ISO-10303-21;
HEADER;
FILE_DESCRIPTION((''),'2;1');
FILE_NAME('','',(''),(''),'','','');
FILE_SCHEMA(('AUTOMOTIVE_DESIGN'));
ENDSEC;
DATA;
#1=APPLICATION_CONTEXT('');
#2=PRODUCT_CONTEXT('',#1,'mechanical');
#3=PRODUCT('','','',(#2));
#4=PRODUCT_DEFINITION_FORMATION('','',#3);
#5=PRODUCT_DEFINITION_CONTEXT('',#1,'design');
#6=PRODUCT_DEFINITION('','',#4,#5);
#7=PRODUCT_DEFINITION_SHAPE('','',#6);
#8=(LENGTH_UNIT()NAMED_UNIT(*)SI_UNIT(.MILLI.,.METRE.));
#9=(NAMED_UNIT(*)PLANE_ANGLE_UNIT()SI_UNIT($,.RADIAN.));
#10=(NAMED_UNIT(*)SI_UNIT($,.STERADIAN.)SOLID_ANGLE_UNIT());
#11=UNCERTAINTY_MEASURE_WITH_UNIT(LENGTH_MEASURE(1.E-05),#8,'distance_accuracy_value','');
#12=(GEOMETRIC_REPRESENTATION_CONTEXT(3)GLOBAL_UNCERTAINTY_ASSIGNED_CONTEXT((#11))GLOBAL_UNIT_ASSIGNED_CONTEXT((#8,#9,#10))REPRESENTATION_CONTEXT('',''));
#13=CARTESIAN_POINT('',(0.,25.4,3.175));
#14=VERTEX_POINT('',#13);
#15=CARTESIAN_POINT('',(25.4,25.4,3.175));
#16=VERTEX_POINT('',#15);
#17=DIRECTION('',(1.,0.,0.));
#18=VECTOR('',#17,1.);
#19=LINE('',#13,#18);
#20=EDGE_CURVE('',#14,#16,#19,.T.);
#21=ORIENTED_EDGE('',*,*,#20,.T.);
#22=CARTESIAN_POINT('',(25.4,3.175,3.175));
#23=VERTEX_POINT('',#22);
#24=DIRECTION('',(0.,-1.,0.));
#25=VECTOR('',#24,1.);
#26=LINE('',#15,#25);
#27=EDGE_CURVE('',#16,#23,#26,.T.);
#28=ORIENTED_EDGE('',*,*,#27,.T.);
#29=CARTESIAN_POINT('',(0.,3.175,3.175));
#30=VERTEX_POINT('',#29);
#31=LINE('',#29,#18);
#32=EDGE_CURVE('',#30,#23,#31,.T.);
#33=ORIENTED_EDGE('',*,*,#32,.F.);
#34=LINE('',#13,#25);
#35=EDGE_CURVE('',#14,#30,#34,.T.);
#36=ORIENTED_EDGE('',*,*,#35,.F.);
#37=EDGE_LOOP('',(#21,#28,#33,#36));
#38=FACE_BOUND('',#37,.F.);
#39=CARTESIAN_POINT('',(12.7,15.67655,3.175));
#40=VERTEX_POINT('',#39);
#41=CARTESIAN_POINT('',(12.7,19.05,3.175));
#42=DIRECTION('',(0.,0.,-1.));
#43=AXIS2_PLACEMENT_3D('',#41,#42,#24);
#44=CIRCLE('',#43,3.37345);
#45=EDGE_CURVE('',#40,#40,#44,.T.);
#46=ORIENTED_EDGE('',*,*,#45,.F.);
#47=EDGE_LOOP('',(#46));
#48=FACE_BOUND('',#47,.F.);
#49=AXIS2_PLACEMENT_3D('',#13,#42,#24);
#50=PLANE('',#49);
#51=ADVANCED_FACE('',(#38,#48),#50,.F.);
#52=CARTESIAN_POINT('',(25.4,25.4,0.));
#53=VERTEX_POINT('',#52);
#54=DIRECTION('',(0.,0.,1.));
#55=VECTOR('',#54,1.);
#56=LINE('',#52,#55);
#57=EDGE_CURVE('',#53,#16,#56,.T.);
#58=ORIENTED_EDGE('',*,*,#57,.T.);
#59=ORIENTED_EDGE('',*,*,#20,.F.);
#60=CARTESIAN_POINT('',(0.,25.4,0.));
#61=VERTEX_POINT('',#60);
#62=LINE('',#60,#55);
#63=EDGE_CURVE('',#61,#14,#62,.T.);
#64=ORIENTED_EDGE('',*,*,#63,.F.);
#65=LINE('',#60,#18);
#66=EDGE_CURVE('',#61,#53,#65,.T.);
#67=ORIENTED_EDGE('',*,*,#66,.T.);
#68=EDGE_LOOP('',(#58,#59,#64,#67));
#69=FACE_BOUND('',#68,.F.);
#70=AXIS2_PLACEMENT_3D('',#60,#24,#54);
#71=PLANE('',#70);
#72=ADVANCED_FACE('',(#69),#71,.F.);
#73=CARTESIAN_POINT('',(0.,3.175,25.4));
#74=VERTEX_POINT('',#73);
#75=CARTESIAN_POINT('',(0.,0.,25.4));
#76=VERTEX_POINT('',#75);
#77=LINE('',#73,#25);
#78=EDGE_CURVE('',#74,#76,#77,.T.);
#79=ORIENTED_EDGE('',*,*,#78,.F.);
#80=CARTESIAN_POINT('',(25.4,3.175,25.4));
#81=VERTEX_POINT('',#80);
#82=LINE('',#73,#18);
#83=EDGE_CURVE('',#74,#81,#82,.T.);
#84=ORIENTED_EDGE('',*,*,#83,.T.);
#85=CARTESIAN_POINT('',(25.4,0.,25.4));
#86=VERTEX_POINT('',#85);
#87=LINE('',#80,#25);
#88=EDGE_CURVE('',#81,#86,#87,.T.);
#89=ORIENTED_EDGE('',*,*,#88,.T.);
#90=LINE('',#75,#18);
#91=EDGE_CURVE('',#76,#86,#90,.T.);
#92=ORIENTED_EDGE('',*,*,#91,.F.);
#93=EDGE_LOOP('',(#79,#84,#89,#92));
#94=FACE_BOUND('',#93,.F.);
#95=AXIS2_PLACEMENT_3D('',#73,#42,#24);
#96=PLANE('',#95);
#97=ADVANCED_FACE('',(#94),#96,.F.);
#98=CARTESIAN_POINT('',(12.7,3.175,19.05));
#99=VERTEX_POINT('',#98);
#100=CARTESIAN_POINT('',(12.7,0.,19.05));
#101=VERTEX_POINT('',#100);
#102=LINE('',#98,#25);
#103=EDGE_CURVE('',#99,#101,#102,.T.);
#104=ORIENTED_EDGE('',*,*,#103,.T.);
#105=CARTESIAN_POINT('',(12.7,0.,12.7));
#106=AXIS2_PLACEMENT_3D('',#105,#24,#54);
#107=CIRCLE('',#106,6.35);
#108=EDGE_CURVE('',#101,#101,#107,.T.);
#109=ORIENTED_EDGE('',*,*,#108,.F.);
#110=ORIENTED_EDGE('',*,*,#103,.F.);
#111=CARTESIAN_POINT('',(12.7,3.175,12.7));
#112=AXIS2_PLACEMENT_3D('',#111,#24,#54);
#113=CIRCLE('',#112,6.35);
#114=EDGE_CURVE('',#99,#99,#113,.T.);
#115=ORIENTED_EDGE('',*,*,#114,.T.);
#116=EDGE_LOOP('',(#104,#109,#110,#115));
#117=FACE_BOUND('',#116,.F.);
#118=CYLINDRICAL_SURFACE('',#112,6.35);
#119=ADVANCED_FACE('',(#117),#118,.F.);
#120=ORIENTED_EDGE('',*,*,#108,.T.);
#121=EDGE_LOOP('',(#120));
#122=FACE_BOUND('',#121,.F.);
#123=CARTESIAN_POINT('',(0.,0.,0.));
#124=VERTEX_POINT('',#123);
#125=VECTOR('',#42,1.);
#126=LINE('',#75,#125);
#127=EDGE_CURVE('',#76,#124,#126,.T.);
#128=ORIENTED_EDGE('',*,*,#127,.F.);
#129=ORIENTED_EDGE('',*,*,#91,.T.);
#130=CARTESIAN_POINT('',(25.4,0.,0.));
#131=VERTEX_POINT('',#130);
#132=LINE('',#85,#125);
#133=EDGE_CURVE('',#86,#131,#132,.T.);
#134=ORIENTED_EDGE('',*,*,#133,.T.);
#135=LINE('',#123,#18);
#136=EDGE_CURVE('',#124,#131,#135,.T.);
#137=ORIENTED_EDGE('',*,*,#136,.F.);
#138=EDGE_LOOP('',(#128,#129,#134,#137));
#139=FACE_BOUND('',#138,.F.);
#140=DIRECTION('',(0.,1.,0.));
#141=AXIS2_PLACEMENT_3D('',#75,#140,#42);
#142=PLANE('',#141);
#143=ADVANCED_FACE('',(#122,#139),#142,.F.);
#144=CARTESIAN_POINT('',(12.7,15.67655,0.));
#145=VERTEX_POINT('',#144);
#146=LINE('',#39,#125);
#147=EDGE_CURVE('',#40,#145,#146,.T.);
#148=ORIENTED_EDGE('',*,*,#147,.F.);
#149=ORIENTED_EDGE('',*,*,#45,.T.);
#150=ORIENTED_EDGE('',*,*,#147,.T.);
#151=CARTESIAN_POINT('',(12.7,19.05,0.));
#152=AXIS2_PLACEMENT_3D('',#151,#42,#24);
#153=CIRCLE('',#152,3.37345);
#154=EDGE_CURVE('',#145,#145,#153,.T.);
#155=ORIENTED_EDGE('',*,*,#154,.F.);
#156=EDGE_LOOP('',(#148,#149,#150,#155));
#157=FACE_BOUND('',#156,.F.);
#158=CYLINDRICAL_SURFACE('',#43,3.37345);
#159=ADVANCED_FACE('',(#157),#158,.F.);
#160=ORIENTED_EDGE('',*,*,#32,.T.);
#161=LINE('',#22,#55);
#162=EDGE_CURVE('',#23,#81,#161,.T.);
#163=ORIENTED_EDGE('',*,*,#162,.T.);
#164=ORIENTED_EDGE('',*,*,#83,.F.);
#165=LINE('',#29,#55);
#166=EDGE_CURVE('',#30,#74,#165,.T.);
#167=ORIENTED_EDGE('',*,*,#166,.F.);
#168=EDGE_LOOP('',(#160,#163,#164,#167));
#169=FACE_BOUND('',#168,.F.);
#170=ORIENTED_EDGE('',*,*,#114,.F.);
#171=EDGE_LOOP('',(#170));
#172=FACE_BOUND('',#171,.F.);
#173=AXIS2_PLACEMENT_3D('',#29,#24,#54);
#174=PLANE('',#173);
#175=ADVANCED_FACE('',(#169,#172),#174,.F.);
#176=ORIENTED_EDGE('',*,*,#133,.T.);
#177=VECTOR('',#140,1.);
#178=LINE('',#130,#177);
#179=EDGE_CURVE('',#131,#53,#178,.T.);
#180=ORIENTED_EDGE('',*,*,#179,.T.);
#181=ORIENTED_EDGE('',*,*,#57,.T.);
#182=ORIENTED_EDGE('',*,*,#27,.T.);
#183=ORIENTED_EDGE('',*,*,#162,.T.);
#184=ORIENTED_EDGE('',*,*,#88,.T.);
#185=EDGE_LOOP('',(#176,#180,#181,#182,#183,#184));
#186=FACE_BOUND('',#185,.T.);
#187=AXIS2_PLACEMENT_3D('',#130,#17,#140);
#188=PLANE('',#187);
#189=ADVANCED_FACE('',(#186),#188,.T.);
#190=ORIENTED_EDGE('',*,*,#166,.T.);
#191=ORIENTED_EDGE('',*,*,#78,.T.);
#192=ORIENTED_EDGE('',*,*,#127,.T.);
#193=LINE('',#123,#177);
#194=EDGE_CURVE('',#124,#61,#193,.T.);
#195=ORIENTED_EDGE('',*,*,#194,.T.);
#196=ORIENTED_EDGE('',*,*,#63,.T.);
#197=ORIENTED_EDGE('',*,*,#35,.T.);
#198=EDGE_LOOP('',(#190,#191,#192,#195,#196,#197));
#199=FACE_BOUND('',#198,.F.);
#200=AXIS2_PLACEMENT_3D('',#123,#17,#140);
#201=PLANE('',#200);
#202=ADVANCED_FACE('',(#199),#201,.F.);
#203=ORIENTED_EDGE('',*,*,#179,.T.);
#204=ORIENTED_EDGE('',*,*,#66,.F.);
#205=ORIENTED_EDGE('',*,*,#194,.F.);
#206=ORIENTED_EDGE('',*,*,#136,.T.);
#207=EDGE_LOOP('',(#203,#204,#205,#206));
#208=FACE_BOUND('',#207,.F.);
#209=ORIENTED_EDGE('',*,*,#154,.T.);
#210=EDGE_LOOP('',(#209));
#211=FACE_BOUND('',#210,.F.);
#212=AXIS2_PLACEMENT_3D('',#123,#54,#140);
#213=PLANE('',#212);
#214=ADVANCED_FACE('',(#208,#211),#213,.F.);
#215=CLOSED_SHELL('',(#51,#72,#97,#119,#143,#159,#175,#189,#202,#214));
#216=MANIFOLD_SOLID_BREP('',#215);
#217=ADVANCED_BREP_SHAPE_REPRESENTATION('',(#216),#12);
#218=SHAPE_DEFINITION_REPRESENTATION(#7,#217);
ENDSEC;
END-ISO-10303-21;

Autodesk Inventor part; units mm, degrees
ref_plane "YZ Plane" through (0, 0, 0) normal (1, 0, 0) x (0, 1, 0)
ref_plane "XZ Plane" through (0, 0, 0) normal (0, 1, 0) x (-1, 0, 0)
ref_plane "XY Plane" through (0, 0, 0) normal (0, 0, 1) x (1, 0, 0)
sketch "Sketch1" plane through (0, 0, 0) normal (1, 0, 0) x (0, 1, 0)
  line L0 (0, 0) -> (25.4, 0)
  line L1 (25.4, 0) -> (25.4, 3.175)
  line L2 (25.4, 3.175) -> (3.175, 3.175)
  line L3 (3.175, 3.175) -> (3.175, 25.4)
  line L4 (3.175, 25.4) -> (0, 25.4)
  line L5 (0, 25.4) -> (0, 0)
  dimension "d0" = 25.4
  dimension "d1" = 25.4
  dimension "d2" = 3.175
  dimension "d3" = 3.175
extrude "Extrusion1" add sketch "Sketch1" along normal blind 25.4
sketch "Sketch2" plane through (0, 3.175, 3.175) normal (0, 0, 1) x (1, 0, 0)
  line L0 (25.4, -3.175) -> (25.4, 22.225) projected
  line L1 (0, 22.225) -> (25.4, 22.225) projected
  point P0 (0, -3.175)
  point P1 (12.7, 15.875)
  dimension "d6" = 12.7
  dimension "d7" = 6.35
hole "Hole1" at (12.7, 19.05, 3.175) direction (0, 0, -1) diameter 6.7469 end through all
sketch "Sketch3" plane through (0, 3.175, 25.4) normal (0, 1, 0) x (1, 0, 0)
  line L0 (0, 25.4) -> (25.4, 25.4) projected
  line L1 (25.4, 22.225) -> (25.4, 0) projected
  point P0 (12.7, 12.7)
  dimension "d15" = 12.7
  dimension "d16" = 12.7
hole "Hole2" at (12.7, 3.175, 12.7) direction (0, -1, 0) diameter 12.7 end through all
properties part number "15102898-16-P-0313"
